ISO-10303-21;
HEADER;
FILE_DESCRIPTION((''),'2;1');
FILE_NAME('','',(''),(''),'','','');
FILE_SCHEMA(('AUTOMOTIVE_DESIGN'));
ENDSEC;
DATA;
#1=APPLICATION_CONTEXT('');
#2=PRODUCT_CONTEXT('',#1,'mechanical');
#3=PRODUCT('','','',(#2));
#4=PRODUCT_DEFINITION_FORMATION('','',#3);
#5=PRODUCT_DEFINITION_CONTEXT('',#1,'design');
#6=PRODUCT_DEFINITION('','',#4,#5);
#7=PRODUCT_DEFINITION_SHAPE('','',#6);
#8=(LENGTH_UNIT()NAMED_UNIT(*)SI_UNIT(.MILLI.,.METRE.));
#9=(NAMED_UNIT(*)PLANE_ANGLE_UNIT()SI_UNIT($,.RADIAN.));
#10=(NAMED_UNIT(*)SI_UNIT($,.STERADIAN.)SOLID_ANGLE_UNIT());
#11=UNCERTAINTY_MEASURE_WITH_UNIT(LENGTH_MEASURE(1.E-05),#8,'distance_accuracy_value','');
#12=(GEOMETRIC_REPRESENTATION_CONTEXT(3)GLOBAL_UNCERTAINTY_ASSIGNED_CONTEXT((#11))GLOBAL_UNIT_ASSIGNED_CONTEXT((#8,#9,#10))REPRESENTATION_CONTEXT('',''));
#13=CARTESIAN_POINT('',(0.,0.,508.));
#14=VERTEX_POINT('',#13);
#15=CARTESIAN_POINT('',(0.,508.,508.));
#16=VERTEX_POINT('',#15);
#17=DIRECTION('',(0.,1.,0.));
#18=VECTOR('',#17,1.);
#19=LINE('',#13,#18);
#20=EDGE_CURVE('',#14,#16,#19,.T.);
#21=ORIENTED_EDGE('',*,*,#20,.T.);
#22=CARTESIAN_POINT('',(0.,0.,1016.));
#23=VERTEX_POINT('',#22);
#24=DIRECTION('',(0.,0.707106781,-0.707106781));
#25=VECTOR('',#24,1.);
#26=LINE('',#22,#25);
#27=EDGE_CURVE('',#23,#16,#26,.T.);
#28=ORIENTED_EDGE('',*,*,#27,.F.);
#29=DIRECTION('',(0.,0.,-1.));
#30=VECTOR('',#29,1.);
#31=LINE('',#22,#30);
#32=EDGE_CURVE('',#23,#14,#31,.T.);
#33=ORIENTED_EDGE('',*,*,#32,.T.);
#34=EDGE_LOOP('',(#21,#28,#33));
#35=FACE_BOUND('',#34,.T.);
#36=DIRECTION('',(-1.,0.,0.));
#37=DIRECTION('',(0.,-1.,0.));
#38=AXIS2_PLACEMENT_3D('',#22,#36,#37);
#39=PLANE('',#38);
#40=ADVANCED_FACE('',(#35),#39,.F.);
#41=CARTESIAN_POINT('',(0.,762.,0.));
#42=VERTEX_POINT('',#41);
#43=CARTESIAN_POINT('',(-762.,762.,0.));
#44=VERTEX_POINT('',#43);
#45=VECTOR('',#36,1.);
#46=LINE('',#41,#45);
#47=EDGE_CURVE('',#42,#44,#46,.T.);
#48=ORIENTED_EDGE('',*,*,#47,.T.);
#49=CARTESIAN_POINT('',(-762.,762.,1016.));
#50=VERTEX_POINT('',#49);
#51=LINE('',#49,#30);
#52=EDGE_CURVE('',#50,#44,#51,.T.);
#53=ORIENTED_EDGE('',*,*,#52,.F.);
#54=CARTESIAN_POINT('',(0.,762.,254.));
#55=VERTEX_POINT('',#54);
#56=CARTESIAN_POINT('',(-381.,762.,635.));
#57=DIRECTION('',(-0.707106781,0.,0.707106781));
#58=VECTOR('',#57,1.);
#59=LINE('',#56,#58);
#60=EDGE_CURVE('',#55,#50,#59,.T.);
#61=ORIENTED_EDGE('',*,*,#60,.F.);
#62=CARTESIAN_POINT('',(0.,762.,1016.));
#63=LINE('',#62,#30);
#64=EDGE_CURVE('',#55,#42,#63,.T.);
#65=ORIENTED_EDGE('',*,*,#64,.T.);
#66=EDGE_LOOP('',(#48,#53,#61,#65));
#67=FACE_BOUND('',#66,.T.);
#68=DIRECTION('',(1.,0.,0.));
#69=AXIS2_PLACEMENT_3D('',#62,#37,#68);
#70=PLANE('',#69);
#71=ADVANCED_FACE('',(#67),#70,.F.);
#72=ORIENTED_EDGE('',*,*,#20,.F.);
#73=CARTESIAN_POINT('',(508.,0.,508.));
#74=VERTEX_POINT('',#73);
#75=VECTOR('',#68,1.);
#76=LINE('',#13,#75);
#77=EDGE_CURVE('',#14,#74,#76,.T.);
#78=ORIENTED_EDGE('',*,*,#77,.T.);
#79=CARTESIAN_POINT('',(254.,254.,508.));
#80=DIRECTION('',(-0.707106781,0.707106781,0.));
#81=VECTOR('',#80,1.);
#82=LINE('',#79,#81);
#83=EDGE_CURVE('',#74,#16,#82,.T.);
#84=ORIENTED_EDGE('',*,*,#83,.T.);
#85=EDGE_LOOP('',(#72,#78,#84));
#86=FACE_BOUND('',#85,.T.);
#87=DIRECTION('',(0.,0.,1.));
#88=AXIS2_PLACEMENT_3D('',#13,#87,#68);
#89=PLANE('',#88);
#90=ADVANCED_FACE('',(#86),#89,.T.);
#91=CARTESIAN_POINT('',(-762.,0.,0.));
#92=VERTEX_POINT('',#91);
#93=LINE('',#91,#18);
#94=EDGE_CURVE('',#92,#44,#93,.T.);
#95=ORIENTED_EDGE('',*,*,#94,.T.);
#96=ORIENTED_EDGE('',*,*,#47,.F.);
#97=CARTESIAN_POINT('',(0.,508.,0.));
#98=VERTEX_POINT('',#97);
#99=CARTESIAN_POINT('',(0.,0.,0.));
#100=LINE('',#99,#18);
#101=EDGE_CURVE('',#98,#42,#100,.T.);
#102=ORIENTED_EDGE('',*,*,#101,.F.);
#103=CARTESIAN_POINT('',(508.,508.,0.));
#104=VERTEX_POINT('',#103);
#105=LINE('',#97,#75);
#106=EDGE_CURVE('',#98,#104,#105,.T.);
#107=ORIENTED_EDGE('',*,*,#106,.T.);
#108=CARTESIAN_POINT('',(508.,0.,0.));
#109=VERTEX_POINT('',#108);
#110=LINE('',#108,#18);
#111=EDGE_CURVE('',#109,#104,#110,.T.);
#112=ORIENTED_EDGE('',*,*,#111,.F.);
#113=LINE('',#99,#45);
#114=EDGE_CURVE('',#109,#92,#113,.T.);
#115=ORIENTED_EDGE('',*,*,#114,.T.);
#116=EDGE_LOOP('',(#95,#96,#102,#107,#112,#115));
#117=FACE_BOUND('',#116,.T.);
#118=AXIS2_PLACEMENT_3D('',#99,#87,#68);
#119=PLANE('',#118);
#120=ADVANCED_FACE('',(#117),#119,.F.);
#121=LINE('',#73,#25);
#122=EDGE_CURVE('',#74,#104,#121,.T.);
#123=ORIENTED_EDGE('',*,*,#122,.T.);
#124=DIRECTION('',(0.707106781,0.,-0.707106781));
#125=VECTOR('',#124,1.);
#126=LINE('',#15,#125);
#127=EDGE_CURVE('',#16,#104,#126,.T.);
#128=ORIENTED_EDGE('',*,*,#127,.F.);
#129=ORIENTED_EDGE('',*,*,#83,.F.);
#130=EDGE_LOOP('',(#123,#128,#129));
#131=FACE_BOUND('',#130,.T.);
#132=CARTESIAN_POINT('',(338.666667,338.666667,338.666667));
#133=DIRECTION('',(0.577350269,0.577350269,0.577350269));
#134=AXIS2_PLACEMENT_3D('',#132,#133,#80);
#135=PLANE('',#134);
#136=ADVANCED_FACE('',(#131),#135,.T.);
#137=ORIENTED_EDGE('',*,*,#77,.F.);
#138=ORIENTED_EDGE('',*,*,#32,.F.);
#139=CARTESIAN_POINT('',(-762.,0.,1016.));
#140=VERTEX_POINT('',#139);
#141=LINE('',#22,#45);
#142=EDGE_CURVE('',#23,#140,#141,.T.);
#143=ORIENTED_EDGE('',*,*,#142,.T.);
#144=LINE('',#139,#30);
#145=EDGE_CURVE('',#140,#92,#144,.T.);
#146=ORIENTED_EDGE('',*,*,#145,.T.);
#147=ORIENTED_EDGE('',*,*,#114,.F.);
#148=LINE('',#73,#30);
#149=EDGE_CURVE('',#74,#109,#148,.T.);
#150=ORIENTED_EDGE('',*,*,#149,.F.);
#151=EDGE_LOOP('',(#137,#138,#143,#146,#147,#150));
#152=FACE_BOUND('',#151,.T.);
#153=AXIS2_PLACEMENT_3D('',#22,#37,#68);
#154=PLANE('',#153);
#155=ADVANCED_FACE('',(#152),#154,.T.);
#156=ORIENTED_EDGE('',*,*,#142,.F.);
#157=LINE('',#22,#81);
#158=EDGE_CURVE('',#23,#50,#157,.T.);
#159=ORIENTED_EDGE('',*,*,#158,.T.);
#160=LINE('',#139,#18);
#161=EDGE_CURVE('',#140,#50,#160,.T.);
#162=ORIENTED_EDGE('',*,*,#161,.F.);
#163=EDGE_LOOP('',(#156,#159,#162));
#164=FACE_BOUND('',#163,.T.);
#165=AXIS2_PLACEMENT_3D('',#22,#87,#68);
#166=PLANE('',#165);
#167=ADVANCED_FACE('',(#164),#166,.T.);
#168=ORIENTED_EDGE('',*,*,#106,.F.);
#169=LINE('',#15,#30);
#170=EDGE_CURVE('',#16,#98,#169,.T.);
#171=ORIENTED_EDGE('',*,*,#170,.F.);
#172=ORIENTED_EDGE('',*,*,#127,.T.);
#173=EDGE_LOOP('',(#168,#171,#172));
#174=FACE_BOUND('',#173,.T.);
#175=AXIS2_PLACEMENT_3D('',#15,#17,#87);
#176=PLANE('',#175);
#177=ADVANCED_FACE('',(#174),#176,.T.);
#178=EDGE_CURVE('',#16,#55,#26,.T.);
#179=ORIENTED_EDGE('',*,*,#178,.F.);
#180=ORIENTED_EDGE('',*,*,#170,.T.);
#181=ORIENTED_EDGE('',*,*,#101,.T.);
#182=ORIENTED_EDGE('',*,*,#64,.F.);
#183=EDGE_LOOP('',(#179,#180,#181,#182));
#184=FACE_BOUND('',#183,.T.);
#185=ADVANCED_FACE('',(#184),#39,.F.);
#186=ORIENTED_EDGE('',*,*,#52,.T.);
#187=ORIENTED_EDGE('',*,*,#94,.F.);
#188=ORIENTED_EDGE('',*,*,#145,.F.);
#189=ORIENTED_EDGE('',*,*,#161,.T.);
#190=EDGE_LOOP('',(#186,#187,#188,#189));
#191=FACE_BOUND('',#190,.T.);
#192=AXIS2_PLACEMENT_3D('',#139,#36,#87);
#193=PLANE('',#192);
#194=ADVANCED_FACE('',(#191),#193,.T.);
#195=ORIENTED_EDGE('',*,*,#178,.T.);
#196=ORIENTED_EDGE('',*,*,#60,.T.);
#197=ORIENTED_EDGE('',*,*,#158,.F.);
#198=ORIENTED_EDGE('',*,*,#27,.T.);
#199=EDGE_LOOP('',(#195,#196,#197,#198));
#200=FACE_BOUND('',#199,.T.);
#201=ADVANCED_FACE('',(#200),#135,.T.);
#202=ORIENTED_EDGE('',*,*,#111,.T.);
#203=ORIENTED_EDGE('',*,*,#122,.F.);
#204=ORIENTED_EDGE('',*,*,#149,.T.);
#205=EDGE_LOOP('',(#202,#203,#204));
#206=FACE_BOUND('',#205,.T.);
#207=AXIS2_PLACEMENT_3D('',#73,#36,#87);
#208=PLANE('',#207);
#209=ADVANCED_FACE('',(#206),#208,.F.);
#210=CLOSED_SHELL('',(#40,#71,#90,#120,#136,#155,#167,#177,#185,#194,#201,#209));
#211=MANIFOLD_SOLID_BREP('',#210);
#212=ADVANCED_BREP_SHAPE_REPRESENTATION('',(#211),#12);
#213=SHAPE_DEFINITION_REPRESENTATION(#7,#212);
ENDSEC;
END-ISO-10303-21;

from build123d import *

# Parameters (mm, degrees)
SKETCH1_W           = 762
SKETCH1_H           = 762
BOSS_EXTRUDE2_DEPTH = 1016
SKETCH1_4_W         = 508
SKETCH1_4_H         = 508
BOSS_EXTRUDE3_DEPTH = 508


with BuildPart() as part:
    # Sketch1 → Boss-Extrude2 (new body)
    with BuildSketch(Plane.XY):
        with Locations((-381, 381)):
            Rectangle(SKETCH1_W, SKETCH1_H)
    extrude(amount=BOSS_EXTRUDE2_DEPTH)

    # Sketch1<4> → Boss-Extrude3 (add)
    with BuildSketch(Plane.XY):
        with Locations((254, 254)):
            Rectangle(SKETCH1_4_W, SKETCH1_4_H)
    extrude(amount=BOSS_EXTRUDE3_DEPTH)

    # SurfaceCut1
    split(bisect_by=Plane(origin=(338.666666667, 338.666666667, 338.666666667), x_dir=(0.816496580927726, -0.408248290463863, -0.408248290463863), z_dir=(0.5773502691896258, 0.5773502691896262, 0.5773502691896255)), keep=Keep.BOTTOM)


solid = part.part
